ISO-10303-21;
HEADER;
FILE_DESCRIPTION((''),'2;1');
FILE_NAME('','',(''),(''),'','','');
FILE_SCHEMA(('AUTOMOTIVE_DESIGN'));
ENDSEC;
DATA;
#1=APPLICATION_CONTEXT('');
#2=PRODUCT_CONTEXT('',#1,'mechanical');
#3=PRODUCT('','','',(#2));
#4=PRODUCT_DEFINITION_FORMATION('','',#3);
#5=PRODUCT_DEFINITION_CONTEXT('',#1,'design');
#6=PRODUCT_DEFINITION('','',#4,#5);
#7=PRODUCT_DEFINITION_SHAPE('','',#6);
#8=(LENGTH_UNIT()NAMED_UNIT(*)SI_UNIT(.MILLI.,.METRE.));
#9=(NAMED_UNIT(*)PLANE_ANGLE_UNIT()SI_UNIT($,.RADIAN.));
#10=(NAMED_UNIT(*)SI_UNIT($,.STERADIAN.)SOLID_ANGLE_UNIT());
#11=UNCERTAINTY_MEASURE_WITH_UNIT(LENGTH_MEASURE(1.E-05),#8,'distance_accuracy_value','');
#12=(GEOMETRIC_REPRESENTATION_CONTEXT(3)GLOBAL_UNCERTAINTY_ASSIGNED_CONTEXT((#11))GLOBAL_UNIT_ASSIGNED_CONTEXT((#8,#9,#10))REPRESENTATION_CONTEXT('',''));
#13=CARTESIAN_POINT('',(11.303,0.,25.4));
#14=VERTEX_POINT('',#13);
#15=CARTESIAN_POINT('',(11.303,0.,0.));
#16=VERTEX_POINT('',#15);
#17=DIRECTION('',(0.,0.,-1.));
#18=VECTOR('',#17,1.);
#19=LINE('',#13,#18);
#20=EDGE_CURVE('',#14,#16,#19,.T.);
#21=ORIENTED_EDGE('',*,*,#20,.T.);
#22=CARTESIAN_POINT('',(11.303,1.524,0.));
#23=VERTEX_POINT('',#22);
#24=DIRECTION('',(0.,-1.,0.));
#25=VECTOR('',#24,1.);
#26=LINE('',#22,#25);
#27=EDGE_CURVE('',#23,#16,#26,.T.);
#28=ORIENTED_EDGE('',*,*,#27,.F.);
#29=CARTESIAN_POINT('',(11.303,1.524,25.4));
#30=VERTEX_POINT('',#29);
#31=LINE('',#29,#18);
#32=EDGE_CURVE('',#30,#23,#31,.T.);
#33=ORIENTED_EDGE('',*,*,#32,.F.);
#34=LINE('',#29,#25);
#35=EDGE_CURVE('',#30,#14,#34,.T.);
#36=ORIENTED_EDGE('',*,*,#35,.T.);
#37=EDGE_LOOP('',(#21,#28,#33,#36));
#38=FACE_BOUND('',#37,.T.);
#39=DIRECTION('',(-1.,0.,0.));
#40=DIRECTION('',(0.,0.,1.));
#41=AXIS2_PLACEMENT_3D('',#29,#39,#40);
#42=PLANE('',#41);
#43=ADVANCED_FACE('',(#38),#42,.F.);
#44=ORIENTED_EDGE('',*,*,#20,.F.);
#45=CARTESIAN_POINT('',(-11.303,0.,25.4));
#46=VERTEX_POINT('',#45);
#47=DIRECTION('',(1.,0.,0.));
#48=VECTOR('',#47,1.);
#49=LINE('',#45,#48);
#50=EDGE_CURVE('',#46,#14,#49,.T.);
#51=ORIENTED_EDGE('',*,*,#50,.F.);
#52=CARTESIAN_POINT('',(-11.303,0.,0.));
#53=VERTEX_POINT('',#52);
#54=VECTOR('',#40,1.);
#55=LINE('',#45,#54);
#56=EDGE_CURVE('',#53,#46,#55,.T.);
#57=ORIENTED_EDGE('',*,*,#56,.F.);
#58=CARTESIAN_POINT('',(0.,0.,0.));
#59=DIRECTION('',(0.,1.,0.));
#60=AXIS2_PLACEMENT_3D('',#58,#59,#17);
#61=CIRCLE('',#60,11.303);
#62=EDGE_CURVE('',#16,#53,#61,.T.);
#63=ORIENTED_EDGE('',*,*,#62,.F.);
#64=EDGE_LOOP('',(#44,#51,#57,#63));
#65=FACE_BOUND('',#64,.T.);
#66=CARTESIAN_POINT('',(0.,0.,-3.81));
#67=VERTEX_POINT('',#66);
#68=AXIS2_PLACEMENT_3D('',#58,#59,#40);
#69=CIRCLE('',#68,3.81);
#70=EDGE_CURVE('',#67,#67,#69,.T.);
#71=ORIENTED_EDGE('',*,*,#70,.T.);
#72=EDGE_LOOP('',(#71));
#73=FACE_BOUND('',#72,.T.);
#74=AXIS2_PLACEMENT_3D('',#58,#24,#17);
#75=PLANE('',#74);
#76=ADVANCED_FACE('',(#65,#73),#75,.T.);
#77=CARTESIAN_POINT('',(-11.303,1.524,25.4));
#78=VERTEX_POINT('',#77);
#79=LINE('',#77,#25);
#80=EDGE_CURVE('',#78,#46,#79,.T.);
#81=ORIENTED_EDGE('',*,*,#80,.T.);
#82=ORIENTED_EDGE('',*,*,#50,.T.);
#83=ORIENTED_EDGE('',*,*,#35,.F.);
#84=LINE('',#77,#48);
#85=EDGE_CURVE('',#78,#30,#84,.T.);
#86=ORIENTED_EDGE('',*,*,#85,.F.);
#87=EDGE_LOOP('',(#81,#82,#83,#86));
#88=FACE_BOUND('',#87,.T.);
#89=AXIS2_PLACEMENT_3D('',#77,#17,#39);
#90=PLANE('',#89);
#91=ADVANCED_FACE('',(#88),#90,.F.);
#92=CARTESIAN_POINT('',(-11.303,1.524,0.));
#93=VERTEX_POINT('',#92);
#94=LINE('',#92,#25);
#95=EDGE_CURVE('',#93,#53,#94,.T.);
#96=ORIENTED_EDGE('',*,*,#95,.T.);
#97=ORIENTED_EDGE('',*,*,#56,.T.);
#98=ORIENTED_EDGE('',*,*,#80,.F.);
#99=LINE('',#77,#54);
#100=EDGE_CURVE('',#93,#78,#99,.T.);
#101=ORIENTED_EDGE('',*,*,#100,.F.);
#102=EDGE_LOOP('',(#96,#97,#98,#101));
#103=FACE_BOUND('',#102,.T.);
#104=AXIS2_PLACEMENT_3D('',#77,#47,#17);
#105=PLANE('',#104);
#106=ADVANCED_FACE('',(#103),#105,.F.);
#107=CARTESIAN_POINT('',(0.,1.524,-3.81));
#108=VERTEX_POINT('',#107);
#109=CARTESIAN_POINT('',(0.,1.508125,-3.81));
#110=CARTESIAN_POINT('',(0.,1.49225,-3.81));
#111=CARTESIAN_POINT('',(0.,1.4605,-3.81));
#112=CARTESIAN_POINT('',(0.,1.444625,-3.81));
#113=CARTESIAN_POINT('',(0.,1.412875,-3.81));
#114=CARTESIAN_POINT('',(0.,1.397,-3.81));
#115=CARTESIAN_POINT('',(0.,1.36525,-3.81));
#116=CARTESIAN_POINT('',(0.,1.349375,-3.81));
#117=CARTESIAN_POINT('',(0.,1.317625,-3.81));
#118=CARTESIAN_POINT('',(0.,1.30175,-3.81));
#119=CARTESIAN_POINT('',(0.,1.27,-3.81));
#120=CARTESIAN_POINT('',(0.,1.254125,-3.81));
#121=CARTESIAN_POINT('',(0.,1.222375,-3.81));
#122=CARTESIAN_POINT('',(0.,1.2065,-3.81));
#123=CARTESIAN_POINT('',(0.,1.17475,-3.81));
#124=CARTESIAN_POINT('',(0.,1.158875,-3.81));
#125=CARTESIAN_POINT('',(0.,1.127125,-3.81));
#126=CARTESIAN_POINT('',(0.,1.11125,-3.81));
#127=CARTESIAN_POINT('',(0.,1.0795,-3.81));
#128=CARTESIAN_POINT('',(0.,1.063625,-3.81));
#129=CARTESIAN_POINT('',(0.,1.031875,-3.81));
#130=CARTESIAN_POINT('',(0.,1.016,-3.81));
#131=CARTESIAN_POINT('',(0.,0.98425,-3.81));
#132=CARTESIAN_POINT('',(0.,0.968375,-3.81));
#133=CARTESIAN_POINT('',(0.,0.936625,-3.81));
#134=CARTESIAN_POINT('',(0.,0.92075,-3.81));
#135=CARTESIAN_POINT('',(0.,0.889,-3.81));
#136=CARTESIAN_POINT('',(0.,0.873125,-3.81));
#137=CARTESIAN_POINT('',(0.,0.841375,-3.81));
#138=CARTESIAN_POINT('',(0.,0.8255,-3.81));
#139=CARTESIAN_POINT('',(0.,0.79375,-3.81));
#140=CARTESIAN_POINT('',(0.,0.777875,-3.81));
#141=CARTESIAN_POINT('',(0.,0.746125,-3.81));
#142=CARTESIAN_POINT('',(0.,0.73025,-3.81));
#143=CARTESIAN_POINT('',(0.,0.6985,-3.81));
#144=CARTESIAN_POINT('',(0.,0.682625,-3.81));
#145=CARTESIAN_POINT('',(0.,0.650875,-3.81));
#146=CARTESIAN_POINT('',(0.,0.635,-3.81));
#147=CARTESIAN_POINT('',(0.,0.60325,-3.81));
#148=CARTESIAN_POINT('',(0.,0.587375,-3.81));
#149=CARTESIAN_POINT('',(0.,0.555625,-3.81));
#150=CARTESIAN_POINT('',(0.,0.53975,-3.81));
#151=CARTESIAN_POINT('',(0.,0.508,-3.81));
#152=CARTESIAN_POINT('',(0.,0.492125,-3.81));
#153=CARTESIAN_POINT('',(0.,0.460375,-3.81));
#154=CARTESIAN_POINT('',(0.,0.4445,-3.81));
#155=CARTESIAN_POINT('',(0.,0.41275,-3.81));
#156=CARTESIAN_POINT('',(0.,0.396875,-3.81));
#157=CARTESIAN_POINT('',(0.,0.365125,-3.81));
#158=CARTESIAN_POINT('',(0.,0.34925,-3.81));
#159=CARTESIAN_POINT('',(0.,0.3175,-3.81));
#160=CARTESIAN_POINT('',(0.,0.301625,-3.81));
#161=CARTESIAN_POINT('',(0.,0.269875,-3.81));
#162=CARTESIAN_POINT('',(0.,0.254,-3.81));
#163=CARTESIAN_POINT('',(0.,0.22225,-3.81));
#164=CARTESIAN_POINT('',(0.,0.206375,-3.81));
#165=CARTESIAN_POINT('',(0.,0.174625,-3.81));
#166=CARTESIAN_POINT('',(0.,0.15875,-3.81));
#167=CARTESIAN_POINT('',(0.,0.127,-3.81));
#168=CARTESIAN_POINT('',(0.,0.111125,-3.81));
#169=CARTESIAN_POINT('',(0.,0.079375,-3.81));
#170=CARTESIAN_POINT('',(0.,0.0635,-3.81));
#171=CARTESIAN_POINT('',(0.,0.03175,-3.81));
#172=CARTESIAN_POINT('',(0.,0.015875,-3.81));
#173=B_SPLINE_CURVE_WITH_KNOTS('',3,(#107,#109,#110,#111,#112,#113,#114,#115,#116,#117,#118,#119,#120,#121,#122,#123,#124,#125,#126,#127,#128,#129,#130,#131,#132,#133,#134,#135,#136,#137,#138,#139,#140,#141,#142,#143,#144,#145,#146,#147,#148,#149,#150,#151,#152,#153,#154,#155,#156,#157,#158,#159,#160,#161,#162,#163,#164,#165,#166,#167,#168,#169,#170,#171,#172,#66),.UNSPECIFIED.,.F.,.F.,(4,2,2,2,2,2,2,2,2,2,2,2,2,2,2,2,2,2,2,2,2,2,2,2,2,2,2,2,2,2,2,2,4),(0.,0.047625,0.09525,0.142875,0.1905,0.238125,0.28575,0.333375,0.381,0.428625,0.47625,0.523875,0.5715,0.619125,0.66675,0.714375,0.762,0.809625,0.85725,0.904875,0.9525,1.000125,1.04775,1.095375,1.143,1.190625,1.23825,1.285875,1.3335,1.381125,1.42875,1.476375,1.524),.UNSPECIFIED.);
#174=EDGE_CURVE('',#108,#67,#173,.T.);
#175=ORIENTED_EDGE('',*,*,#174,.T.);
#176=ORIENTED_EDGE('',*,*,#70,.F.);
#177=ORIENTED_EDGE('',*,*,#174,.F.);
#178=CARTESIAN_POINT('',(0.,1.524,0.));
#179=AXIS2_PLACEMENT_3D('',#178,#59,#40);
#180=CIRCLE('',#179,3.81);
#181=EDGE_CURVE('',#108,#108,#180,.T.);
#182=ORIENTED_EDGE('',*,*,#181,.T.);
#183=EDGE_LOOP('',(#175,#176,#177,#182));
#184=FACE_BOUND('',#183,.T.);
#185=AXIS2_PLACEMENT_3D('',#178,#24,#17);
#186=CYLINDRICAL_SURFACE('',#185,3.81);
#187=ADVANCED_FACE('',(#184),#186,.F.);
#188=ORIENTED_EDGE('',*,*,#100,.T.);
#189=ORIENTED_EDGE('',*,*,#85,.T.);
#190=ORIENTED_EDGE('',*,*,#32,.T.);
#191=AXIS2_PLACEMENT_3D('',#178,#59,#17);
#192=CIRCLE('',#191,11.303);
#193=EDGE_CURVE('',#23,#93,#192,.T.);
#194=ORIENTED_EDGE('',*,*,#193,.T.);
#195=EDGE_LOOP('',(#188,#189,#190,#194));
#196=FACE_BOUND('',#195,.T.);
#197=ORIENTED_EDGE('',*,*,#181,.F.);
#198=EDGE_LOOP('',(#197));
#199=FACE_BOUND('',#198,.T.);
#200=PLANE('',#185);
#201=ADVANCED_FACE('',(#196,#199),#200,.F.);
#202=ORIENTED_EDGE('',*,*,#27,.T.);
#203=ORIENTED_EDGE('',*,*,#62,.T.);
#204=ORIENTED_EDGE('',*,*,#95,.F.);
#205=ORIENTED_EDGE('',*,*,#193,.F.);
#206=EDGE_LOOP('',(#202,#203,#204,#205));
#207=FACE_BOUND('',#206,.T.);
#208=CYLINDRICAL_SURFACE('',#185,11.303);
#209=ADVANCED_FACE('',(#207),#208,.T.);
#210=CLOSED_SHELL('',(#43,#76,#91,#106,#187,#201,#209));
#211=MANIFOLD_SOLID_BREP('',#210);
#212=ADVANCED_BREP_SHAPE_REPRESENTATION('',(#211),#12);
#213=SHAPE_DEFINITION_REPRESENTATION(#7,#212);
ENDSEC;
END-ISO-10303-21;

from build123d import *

# Parameters (mm, degrees)
SKETCH1_R           = 3.81
BOSS_EXTRUDE1_DEPTH = 1.524


with BuildPart() as part:
    # Sketch1 → Boss-Extrude1 (new body)
    with BuildSketch(Plane(origin=(0, 0, 0), x_dir=(1, 0, 0), z_dir=(0, 1, 0))):
        with BuildLine():
            Line((-11.303, -25.4), (11.303, -25.4))
            Line((11.303, -25.4), (11.303, 0))
            ThreePointArc((11.303, 0), (0, 11.303), (-11.303, 0))
            Line((-11.303, 0), (-11.303, -25.4))
        make_face()
        with Locations(Location((0, 0, 0), (0, 0, 90))):
            Circle(SKETCH1_R, mode=Mode.SUBTRACT)
    extrude(amount=BOSS_EXTRUDE1_DEPTH)


solid = part.part
